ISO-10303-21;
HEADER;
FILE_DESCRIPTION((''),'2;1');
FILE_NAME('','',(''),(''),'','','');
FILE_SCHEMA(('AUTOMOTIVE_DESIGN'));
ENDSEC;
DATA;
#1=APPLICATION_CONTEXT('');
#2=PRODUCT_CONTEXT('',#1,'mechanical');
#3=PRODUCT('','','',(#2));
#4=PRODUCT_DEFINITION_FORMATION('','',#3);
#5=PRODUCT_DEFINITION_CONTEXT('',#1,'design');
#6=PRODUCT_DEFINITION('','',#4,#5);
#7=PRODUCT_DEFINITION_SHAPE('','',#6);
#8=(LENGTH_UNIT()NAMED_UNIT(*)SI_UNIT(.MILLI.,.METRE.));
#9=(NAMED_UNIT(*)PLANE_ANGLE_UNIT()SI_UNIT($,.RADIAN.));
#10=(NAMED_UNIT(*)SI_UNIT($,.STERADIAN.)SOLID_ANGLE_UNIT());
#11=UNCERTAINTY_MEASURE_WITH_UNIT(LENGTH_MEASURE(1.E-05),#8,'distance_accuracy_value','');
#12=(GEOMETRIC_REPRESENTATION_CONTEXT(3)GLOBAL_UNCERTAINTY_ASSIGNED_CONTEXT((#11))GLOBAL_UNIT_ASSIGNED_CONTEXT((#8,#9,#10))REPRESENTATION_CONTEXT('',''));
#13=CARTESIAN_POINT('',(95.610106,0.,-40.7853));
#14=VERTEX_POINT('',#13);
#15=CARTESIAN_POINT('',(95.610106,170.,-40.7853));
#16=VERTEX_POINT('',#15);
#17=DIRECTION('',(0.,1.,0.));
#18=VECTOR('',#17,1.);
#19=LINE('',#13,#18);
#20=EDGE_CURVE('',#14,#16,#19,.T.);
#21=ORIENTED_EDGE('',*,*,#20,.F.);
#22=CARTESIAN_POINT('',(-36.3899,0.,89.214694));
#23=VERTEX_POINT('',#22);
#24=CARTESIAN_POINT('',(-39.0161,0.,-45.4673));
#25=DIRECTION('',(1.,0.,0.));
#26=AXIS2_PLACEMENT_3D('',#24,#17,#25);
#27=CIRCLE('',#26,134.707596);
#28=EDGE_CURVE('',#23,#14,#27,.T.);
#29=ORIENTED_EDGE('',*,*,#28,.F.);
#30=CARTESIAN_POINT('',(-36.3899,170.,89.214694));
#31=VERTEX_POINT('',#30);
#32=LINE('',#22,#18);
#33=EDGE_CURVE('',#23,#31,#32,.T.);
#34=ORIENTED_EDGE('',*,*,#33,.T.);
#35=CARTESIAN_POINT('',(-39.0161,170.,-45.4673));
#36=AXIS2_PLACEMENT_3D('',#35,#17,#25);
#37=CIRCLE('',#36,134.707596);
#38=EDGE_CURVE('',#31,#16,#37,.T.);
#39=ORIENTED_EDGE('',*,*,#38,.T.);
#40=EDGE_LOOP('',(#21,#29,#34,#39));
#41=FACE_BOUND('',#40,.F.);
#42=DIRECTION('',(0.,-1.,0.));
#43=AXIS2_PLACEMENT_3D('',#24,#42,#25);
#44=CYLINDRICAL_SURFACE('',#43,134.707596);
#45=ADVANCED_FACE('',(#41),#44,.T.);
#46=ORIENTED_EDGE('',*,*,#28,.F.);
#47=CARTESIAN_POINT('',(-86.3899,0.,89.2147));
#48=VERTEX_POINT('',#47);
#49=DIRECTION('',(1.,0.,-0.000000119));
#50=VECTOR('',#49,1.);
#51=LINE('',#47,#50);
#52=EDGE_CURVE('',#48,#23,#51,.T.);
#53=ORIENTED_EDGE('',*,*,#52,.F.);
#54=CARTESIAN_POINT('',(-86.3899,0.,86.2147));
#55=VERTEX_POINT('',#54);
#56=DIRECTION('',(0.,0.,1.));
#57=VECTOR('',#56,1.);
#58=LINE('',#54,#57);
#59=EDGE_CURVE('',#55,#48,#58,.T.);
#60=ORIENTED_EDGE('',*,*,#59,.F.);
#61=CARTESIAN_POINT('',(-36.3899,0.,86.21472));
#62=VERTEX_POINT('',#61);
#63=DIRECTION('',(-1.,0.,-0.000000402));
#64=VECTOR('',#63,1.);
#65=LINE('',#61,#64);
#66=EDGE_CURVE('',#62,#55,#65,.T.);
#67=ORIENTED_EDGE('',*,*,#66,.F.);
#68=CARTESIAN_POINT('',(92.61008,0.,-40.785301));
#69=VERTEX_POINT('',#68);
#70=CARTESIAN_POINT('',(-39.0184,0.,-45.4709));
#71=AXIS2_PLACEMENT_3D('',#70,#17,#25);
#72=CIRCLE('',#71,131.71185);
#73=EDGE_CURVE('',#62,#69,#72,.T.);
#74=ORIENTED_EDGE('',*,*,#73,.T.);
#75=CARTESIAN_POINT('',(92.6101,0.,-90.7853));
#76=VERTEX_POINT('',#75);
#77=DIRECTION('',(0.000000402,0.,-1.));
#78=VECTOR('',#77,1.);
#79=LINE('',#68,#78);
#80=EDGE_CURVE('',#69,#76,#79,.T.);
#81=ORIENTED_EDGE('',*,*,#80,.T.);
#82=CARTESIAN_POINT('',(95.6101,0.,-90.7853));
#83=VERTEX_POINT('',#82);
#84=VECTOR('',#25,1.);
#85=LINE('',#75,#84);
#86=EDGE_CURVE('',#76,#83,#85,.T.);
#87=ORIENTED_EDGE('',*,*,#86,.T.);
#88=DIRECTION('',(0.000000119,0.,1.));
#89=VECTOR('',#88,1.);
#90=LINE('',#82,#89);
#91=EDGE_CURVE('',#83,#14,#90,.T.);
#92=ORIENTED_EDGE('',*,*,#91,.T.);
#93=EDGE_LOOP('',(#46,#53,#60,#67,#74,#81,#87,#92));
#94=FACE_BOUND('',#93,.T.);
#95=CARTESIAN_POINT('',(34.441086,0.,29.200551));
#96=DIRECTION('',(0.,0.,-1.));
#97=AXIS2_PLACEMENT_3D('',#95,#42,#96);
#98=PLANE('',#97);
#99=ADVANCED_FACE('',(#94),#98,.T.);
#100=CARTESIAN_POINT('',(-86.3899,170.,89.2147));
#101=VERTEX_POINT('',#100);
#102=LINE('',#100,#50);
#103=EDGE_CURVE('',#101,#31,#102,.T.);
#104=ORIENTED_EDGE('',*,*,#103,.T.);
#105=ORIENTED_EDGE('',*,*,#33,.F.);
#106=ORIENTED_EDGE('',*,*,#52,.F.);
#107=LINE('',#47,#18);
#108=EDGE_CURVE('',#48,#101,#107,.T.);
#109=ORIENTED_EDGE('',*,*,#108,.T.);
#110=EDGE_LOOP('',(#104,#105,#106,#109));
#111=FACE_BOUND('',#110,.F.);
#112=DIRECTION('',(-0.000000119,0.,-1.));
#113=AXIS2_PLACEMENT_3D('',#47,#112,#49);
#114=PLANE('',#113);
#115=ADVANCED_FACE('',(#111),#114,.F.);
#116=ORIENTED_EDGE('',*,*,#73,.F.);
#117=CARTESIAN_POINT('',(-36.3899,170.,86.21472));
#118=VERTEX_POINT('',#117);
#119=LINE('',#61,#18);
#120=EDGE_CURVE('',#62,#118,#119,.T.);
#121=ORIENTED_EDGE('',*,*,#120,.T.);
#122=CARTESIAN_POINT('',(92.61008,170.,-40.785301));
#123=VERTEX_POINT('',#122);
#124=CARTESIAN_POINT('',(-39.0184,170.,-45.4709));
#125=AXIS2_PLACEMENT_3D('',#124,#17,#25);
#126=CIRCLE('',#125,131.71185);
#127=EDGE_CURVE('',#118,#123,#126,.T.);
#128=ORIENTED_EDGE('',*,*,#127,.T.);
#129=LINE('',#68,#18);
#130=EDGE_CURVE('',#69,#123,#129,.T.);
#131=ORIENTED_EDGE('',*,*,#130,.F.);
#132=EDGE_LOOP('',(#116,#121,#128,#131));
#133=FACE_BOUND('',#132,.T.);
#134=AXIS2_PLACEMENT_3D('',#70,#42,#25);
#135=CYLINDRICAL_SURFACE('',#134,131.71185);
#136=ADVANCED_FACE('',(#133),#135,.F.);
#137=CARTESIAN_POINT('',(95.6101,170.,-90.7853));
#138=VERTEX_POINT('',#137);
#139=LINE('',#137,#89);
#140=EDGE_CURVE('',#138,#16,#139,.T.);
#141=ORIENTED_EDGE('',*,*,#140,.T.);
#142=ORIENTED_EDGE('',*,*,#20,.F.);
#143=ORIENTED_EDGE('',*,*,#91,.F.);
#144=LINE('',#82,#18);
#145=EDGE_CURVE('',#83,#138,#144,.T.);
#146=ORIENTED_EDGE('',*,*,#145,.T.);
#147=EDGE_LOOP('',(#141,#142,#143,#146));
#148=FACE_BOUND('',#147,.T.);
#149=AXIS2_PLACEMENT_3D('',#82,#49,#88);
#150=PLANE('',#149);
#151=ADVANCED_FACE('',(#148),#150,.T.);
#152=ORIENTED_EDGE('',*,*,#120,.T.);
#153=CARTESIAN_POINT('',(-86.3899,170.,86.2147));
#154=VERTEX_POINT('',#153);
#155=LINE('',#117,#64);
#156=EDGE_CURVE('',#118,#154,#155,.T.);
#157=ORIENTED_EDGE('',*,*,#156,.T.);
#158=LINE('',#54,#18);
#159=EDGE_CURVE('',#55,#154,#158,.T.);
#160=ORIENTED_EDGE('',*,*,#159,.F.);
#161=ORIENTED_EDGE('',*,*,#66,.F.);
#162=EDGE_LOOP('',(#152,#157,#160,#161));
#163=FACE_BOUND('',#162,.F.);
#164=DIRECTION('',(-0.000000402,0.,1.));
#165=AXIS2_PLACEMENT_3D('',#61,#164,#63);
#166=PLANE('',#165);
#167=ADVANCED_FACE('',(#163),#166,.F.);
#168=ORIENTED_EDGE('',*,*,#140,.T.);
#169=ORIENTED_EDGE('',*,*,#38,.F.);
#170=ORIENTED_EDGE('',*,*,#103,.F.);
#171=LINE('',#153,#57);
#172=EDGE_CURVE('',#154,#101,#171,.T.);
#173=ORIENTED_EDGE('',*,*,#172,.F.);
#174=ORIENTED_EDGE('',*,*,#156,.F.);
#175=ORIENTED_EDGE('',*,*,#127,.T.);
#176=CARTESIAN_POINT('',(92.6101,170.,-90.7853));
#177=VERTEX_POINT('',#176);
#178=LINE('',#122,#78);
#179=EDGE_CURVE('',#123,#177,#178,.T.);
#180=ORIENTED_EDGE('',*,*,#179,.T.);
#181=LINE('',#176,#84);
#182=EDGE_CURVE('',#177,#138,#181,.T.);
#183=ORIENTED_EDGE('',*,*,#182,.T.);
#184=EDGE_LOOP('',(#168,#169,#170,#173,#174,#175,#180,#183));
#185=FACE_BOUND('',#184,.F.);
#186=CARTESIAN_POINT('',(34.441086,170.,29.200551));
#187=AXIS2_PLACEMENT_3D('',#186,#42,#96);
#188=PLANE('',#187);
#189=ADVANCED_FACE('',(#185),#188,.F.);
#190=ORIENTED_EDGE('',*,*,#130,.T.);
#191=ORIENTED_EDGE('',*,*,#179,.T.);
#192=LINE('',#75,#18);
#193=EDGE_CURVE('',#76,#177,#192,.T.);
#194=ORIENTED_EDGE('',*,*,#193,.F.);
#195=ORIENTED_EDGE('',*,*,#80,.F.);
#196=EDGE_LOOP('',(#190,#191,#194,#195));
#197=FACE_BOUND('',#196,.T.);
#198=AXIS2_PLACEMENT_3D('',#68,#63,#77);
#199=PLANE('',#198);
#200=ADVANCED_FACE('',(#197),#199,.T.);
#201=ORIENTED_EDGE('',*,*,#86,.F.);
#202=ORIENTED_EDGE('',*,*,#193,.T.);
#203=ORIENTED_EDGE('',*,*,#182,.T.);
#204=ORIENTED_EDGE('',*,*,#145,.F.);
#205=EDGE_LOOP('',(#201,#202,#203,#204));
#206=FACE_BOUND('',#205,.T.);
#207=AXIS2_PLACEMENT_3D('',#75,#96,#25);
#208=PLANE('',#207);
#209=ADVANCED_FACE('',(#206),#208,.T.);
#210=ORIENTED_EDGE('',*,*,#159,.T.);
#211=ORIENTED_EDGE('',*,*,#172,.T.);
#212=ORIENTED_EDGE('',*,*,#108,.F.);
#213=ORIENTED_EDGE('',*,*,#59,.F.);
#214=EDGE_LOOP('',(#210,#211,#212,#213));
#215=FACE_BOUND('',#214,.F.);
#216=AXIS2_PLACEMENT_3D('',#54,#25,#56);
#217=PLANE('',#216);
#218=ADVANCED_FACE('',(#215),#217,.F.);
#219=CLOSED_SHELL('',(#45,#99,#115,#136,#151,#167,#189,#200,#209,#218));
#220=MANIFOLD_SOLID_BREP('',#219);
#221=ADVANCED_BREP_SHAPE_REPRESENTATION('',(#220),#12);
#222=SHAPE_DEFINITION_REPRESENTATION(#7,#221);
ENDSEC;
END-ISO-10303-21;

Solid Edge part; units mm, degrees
sketch "Sketch1" plane through (0, 0, 0) normal (0, -1, 0) x (1, 0, 0)
  arc A0 (-36.3899, 86.2147) -> (92.6101, -40.7853) centre (-39.0184, -45.4709) cw
  line L0 (92.6101, -40.7853) -> (92.6101, -90.7853)
  line L1 (92.6101, -90.7853) -> (95.6101, -90.7853)
  line L2 (95.6101, -90.7853) -> (95.6101, -40.7853)
  arc A1 (-36.3899, 89.2147) -> (95.6101, -40.7853) centre (-39.0161, -45.4673) cw
  line L3 (-86.3899, 89.2147) -> (-36.3899, 89.2147)
  line L4 (-86.3899, 86.2147) -> (-86.3899, 89.2147)
  line L5 (-36.3899, 86.2147) -> (-86.3899, 86.2147)
  dimension "D1" = 129
  dimension "D2" = 127
  dimension "D3" = 50
  dimension "D4" = 50
  dimension "D5" = 3
  dimension "D6" = 3
  dimension "D7" = 3
extrude "Protrusion1" add sketch "Sketch1" against normal blind 170
